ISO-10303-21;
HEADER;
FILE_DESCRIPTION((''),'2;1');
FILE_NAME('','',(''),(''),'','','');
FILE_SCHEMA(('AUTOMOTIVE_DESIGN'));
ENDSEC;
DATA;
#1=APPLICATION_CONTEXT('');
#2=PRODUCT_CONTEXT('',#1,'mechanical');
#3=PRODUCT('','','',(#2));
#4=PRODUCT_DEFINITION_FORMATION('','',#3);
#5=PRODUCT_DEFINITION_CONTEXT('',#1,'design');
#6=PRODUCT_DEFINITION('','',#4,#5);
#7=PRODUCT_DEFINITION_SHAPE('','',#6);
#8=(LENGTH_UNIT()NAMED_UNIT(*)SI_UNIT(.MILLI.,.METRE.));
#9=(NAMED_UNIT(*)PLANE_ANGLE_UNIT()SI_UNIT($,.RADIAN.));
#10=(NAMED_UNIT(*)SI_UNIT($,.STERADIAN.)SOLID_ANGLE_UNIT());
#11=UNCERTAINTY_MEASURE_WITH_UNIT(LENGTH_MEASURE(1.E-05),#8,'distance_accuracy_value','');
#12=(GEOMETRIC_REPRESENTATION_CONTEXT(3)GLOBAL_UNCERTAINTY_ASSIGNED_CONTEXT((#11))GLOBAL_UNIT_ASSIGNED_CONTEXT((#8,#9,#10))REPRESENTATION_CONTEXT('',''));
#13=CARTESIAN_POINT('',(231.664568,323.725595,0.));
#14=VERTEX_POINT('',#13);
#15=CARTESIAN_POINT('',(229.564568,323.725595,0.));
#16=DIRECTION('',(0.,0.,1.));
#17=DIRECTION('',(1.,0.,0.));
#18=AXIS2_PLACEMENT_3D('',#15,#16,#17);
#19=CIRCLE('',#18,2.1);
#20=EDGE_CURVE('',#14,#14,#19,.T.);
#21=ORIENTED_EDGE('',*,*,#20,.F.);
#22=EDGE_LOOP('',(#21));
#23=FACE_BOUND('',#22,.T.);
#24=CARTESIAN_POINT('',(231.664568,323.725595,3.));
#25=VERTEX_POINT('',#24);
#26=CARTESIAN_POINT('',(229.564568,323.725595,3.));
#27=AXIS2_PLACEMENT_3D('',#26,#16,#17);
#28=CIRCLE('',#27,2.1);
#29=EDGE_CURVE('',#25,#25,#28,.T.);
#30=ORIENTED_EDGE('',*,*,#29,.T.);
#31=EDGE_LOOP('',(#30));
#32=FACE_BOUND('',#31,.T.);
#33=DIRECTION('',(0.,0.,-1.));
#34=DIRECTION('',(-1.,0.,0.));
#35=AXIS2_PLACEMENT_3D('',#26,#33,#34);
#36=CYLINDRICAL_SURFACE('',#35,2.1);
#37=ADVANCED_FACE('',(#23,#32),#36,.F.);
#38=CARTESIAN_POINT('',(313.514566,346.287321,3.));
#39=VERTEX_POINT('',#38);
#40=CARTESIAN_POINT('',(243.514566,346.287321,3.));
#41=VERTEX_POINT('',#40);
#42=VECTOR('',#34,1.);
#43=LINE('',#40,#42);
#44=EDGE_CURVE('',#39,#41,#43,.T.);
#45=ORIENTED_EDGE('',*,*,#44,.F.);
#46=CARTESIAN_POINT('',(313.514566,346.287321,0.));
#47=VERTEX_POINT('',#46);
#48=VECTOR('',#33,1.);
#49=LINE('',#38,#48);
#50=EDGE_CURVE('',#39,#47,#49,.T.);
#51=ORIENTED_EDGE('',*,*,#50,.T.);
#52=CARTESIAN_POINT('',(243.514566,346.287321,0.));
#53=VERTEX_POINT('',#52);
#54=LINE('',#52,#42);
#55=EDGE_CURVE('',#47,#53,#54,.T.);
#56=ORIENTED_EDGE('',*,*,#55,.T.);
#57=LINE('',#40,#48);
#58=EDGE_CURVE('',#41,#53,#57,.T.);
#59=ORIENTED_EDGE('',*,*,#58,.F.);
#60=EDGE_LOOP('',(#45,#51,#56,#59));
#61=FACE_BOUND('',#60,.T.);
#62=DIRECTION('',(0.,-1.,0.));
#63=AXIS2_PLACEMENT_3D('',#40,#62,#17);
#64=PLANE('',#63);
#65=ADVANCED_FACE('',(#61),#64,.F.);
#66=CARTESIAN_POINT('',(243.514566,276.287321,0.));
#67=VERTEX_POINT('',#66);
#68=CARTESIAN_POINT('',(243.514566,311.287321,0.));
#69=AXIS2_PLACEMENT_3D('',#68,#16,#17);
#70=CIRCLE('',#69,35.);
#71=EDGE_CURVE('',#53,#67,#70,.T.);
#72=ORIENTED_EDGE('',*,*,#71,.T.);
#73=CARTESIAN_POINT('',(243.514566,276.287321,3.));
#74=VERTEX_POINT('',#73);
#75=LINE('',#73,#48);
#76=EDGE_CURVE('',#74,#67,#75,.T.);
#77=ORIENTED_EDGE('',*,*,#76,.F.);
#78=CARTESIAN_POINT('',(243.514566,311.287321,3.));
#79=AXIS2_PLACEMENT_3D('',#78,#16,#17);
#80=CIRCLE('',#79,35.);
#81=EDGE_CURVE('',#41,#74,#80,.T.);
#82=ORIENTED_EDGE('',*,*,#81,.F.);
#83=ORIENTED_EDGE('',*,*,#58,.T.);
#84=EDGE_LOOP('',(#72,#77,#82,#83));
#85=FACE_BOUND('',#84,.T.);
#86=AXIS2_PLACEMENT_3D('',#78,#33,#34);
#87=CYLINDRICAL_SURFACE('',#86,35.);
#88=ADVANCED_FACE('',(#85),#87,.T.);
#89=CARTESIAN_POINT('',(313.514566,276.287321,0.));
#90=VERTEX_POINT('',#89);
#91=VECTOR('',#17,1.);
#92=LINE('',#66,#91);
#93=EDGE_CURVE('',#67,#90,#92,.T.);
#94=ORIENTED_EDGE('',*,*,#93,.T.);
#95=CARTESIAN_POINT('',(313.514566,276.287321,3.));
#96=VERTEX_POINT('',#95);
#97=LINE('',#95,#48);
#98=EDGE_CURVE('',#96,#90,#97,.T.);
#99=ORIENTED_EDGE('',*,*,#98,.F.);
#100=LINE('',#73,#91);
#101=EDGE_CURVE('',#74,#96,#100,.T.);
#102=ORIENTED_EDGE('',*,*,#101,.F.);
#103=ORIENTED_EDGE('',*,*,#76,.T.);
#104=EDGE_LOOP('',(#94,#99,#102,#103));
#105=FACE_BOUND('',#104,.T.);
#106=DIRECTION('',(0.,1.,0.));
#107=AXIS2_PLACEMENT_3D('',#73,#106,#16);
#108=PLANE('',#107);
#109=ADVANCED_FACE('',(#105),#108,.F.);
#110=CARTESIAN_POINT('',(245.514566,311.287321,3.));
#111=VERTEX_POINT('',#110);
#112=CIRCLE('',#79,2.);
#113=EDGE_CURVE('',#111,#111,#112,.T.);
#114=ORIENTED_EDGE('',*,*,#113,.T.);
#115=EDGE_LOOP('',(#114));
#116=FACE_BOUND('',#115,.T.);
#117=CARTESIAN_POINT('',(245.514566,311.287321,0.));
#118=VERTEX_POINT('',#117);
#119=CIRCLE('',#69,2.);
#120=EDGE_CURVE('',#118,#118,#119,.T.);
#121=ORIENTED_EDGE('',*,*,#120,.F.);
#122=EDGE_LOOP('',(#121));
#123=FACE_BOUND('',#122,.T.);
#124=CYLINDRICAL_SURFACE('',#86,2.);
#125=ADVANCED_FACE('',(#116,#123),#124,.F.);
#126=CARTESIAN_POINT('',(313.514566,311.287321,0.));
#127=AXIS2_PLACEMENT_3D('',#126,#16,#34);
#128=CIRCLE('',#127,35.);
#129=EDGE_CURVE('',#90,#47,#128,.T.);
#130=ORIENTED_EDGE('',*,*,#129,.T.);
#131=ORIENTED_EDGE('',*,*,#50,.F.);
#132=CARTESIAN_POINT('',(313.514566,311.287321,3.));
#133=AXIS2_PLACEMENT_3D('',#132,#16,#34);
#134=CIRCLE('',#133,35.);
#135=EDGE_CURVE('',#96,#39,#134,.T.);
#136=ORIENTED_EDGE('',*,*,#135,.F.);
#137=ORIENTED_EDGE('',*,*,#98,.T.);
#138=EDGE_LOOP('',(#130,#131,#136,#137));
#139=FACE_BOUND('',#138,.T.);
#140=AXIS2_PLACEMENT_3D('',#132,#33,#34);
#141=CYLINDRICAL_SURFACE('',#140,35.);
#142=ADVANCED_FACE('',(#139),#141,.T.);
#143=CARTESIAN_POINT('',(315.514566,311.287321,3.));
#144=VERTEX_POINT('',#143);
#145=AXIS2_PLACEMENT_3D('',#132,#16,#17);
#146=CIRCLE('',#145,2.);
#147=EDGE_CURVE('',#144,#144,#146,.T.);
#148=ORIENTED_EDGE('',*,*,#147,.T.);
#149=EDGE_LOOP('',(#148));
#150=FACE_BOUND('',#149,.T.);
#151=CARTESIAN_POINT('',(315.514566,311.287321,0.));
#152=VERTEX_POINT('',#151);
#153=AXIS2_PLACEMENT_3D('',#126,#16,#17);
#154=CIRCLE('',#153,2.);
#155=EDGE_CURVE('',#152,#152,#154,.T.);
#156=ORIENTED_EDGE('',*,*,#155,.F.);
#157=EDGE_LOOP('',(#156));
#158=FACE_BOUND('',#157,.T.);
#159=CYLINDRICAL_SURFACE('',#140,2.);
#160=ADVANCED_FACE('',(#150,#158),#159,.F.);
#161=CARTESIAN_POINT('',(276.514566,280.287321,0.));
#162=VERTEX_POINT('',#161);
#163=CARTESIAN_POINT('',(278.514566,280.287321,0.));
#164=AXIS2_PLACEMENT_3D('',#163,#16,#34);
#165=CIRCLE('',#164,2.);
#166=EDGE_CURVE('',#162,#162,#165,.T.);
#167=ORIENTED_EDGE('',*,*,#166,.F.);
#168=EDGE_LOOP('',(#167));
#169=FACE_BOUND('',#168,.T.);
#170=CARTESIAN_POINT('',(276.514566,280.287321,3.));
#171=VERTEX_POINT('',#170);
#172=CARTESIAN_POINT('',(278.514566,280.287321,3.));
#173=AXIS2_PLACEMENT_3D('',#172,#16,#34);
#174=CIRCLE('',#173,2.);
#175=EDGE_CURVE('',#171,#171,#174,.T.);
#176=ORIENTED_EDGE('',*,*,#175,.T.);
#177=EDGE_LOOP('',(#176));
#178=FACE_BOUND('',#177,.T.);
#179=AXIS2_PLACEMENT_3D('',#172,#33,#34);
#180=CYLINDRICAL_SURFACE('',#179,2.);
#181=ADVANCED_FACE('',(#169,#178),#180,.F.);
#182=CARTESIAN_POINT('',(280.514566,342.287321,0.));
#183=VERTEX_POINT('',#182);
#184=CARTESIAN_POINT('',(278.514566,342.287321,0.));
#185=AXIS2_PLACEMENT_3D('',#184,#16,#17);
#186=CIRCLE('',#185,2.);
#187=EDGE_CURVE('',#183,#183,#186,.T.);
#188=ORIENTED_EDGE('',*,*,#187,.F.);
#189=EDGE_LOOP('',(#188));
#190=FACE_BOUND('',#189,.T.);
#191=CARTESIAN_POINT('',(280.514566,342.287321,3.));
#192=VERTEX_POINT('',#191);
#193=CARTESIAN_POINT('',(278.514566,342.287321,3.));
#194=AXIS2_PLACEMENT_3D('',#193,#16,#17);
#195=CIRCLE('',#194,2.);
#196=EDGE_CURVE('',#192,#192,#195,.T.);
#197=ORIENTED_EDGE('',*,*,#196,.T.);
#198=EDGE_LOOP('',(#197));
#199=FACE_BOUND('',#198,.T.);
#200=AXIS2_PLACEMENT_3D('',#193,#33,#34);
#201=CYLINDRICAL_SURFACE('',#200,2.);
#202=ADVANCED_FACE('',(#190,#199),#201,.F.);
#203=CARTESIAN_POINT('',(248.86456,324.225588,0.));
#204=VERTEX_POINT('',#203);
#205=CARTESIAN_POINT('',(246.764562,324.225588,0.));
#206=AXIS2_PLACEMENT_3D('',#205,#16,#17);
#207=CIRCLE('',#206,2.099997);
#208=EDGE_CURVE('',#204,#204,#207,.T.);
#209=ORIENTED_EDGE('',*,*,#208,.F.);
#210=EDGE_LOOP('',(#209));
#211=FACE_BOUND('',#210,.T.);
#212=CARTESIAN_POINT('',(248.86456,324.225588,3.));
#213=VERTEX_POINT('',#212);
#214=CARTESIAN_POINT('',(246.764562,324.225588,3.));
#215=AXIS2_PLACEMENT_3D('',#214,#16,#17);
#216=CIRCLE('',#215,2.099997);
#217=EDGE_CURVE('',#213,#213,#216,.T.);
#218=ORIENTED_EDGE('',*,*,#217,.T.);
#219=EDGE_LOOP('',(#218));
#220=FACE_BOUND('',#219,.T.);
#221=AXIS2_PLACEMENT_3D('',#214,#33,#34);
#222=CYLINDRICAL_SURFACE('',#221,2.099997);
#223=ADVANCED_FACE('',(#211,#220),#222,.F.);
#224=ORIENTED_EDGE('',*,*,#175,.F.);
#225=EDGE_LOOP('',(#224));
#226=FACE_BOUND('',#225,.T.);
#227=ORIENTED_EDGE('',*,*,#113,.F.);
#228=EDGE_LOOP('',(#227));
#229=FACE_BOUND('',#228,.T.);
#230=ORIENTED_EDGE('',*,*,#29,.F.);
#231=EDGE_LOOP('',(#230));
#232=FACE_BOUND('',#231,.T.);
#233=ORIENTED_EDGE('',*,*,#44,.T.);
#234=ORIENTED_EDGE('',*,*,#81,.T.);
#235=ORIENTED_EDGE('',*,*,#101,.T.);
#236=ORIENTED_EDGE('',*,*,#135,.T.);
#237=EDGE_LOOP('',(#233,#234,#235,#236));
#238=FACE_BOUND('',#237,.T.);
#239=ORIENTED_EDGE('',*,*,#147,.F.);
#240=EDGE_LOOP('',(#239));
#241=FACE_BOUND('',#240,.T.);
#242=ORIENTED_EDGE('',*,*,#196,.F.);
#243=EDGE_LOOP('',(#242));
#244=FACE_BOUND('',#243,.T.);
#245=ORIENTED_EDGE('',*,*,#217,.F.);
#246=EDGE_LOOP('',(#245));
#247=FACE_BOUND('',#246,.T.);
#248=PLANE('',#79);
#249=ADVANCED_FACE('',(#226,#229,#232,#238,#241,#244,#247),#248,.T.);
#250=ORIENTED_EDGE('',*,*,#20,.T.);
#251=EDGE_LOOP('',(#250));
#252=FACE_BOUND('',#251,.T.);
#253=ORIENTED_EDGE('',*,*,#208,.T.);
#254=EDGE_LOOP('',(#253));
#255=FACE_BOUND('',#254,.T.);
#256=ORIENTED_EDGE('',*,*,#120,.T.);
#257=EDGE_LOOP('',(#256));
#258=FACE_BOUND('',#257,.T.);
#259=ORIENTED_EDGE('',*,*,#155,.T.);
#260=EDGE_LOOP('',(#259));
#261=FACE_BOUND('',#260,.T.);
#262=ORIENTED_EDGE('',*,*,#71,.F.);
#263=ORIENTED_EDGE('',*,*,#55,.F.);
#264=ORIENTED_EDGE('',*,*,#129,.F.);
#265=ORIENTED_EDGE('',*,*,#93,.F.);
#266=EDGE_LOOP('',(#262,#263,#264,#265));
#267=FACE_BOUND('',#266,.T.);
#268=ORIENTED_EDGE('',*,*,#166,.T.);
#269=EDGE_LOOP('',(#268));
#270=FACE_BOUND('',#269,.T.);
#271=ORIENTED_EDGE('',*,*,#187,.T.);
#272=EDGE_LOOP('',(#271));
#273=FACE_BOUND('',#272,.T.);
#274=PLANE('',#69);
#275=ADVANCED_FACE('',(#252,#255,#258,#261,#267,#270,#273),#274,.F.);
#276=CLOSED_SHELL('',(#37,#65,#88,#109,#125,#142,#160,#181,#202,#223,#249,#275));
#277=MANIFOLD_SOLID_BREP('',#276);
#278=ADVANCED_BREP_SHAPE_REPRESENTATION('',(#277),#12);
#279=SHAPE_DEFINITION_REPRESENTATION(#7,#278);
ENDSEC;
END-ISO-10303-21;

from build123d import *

# Parameters (mm, degrees)
SKETCH1_R           = 2
SKETCH1_R_2         = 2.099997394
SKETCH1_R_3         = 2.100000418
BOSS_EXTRUDE1_DEPTH = 3


with BuildPart() as part:
    # Sketch1 → Boss-Extrude1 (new body)
    with BuildSketch(Plane.XY):
        with BuildLine():
            Line((243.514566495, 346.287321237), (313.514566495, 346.287321237))
            ThreePointArc((313.514566495, 346.287321237), (348.514566495, 311.287321237), (313.514566495, 276.287321237))
            Line((313.514566495, 276.287321237), (243.514566495, 276.287321237))
            ThreePointArc((243.514566495, 276.287321237), (208.514566495, 311.287321237), (243.514566495, 346.287321237))
        make_face()
        with Locations((243.514566495, 311.287321237)):
            Circle(SKETCH1_R, mode=Mode.SUBTRACT)
        with Locations((313.514566495, 311.287321237)):
            Circle(SKETCH1_R, mode=Mode.SUBTRACT)
        with Locations((246.764562225, 324.225588056)):
            Circle(SKETCH1_R_2, mode=Mode.SUBTRACT)
        with Locations((229.564568056, 323.725595013)):
            Circle(SKETCH1_R_3, mode=Mode.SUBTRACT)
        with Locations((278.514566495, 342.287321237)):
            Circle(SKETCH1_R, mode=Mode.SUBTRACT)
        with Locations(Location((278.514566495, 280.287321237, 0), (0, 0, 180))):
            Circle(SKETCH1_R, mode=Mode.SUBTRACT)
    extrude(amount=BOSS_EXTRUDE1_DEPTH)


solid = part.part
